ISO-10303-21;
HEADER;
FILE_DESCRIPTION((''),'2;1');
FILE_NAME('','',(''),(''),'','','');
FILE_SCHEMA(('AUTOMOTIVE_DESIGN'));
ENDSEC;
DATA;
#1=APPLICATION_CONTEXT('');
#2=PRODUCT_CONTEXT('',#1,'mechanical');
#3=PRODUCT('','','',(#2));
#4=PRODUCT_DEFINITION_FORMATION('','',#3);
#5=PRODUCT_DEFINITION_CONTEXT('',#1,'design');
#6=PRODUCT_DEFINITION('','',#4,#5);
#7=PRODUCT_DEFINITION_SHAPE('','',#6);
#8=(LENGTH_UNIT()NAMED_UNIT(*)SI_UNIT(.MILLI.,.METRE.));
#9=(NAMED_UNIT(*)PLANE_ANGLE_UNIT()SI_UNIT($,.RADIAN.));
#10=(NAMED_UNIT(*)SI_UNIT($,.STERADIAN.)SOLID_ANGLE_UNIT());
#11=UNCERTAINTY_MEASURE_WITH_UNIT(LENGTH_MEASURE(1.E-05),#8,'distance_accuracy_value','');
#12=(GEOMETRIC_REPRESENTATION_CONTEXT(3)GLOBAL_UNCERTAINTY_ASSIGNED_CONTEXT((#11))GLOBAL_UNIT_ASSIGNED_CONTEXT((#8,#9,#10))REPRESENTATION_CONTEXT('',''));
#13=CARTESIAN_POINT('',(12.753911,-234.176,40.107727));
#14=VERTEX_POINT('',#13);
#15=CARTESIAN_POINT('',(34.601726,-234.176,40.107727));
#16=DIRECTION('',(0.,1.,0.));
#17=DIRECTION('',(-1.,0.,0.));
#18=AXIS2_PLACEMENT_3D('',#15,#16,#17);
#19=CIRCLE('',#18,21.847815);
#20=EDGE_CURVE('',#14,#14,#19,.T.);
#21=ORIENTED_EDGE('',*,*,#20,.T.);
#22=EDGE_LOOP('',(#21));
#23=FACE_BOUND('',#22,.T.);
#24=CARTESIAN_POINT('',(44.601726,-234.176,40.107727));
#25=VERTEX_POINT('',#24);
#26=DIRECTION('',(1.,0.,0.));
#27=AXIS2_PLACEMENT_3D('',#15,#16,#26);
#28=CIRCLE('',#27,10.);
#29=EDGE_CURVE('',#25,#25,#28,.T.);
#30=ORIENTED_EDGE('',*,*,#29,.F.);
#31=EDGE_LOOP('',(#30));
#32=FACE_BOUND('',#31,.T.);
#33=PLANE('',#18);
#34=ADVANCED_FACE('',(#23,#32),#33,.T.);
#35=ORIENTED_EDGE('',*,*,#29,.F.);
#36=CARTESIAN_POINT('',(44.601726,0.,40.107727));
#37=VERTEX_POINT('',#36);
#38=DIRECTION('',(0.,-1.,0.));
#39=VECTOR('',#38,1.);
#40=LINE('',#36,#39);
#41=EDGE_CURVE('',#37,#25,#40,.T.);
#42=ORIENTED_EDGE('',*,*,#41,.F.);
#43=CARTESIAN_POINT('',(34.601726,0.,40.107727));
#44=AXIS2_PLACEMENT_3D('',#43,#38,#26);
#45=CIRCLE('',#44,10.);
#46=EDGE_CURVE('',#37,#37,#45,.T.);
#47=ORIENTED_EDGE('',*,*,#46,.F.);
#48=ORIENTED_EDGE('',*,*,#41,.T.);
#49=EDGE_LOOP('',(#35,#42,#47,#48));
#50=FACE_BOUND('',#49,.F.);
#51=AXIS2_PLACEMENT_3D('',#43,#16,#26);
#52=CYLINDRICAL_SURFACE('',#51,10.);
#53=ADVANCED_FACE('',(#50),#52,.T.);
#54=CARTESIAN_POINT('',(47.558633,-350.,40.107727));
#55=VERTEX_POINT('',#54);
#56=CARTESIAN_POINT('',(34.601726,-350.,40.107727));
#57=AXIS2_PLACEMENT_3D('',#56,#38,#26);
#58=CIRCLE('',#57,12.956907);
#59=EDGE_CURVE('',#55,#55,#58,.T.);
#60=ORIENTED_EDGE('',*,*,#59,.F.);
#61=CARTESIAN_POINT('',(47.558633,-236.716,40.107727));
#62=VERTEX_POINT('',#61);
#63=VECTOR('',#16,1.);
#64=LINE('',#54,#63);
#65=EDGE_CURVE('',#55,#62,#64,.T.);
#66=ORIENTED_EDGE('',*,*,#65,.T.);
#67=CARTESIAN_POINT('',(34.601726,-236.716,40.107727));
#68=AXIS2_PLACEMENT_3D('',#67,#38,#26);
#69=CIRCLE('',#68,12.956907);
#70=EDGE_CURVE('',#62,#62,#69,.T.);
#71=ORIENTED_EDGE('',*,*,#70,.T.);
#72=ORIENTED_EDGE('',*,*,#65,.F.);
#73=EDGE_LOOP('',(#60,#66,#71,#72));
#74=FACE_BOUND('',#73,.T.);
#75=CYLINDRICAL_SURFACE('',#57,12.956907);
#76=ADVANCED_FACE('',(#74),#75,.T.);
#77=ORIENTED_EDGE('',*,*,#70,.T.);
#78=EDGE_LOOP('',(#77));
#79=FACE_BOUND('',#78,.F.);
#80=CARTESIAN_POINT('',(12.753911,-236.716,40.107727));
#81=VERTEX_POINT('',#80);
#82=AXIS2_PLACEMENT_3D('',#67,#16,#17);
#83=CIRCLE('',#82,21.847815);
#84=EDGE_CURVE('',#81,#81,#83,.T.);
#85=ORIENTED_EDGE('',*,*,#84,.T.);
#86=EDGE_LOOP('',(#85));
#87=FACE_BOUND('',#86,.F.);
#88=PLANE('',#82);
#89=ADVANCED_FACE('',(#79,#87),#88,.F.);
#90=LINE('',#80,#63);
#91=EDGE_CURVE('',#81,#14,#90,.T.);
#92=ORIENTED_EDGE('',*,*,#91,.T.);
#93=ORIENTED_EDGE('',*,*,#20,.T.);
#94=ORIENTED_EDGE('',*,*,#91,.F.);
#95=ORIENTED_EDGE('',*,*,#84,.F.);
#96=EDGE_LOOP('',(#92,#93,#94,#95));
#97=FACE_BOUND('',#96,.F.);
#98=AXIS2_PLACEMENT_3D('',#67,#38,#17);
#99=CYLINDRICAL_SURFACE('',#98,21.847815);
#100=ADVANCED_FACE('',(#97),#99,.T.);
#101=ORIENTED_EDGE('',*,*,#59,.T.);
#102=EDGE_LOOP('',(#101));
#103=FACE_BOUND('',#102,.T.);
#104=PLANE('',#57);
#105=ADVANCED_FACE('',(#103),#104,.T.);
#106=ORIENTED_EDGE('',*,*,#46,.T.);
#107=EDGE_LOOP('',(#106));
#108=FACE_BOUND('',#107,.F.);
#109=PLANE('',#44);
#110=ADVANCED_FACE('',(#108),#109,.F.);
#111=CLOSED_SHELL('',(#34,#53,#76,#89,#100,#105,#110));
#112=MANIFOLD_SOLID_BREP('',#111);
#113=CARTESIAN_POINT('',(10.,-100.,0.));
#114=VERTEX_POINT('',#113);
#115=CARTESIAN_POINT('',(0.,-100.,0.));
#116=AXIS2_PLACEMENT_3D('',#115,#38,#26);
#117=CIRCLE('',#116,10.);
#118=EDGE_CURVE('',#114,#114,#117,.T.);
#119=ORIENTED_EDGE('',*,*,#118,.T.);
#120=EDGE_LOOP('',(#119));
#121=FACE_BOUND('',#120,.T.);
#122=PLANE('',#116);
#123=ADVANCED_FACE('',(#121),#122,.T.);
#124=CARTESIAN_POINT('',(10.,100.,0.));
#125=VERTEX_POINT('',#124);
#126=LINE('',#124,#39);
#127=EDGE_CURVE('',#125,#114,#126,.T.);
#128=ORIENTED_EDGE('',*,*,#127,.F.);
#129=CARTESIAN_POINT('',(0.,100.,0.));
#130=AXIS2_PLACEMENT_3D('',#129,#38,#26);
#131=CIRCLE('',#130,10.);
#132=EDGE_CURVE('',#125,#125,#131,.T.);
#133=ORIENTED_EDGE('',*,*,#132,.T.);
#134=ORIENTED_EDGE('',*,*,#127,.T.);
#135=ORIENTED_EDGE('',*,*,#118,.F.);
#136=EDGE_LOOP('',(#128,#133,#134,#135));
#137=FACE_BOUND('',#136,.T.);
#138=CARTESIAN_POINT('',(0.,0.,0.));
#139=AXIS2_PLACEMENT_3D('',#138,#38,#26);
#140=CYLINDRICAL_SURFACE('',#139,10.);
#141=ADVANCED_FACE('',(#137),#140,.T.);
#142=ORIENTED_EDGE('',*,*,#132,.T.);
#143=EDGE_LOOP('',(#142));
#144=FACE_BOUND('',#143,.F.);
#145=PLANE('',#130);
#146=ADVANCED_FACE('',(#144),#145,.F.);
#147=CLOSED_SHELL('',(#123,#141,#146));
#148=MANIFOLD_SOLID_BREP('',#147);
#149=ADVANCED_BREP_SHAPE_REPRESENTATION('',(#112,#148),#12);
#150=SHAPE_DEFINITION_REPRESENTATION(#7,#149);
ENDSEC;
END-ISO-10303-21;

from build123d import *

# Parameters (mm, degrees)
F0_R     = 10
F1_DEPTH = 100
F2_R     = 10
F3_DEPTH = 350
F4_R     = 12.956907
F5_DEPTH = 113.284
F6_R     = 21.847815
F7_DEPTH = 2.54


with BuildPart() as f1:
    # F0 (on Front) → F1 (new body, symmetric)
    with BuildSketch(Plane.XZ):
        Circle(F0_R)
    extrude(amount=F1_DEPTH, both=True)


with BuildPart() as f3:
    # F2 (on Front) → F3 (new body)
    with BuildSketch(Plane.XZ):
        with Locations((34.601726, 40.107727)):
            Circle(F2_R)
    extrude(amount=F3_DEPTH)

    # F4 (on face) → F5 (join)
    with BuildSketch(Plane.XZ.offset(350)):
        with Locations((34.601726, 40.107727)):
            Circle(F4_R)
    extrude(amount=-F5_DEPTH)

    # F6 (on face) → F7 (join)
    with BuildSketch(Plane(origin=(0, -236.716, 0), x_dir=(-1, 0, 0), z_dir=(0, 1, 0))):
        with Locations((-34.601726, 40.107727)):
            Circle(F6_R)
    extrude(amount=F7_DEPTH)


solid = Compound([f1.part, f3.part])
